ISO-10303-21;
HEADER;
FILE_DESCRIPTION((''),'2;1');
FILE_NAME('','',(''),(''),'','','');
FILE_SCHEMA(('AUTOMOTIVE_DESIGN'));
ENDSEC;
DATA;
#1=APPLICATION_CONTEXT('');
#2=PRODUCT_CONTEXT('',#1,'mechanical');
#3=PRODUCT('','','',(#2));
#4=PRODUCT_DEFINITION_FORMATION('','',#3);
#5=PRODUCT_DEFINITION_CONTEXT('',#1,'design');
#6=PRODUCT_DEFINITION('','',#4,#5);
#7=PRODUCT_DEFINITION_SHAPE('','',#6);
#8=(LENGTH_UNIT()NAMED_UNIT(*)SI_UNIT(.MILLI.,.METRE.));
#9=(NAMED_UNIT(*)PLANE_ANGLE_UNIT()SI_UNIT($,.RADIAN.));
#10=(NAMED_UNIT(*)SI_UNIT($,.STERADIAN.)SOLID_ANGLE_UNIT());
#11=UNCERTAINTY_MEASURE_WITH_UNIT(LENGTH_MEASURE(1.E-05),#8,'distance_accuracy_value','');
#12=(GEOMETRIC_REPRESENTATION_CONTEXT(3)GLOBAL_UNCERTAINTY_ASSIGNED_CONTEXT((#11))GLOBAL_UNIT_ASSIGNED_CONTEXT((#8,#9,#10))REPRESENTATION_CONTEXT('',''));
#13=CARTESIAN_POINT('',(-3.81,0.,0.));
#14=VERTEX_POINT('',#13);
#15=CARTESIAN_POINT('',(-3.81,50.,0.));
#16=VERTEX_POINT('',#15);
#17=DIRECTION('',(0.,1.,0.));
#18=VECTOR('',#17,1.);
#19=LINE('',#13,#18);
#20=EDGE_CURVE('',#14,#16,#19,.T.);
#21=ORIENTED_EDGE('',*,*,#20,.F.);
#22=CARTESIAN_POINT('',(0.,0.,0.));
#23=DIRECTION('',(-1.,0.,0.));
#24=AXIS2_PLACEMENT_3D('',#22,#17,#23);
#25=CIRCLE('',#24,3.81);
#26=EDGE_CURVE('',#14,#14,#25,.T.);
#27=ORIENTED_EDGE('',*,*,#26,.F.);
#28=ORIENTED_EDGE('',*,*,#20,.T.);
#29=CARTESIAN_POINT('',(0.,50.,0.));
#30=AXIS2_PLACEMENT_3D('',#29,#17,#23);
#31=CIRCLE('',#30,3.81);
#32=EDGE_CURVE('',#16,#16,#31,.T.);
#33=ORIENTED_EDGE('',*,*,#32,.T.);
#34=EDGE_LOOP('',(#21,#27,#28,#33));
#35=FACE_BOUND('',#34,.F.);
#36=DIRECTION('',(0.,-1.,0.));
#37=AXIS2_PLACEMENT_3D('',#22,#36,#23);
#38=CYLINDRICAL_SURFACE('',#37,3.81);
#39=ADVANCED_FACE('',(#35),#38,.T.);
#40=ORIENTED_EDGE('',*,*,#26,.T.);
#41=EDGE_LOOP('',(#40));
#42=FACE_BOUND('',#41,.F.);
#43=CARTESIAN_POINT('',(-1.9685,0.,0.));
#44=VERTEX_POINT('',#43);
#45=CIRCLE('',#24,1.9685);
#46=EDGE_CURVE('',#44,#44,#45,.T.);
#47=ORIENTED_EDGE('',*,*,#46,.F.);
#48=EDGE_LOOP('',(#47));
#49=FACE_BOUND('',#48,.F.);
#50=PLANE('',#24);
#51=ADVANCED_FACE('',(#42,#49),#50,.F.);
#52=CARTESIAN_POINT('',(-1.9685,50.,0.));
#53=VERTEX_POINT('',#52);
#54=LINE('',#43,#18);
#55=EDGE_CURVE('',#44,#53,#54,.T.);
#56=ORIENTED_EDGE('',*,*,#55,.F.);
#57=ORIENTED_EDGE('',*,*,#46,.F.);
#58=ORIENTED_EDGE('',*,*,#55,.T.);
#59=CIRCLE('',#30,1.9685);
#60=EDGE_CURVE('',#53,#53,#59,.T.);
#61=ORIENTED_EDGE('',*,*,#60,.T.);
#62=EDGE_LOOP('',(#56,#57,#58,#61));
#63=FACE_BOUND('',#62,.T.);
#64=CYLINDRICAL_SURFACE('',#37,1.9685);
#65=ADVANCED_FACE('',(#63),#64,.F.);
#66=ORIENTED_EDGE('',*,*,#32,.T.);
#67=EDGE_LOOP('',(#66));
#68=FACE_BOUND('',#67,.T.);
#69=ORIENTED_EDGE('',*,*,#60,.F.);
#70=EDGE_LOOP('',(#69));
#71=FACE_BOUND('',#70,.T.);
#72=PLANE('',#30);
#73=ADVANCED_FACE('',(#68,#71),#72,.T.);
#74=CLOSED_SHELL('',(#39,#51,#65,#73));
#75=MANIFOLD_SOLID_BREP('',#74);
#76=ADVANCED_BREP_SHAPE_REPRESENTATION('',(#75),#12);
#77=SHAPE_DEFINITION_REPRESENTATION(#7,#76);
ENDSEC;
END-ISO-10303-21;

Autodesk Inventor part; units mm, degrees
ref_plane "YZ Plane" through (0, 0, 0) normal (1, 0, 0) x (0, 1, 0)
ref_plane "XZ Plane" through (0, 0, 0) normal (0, 1, 0) x (-1, 0, 0)
ref_plane "XY Plane" through (0, 0, 0) normal (0, 0, 1) x (1, 0, 0)
sketch "Sketch1" plane through (0, 0, 0) normal (0, 1, 0) x (-1, 0, 0)
  circle A0 centre (0, 0) radius 3.81
  circle A1 centre (0, 0) radius 1.9685
  dimension "d0" = 7.62
  dimension "d1" = 3.937
extrude "Extrusion1" add sketch "Sketch1" along normal blind 50
properties part number "8-32_Spacer_50mm"
